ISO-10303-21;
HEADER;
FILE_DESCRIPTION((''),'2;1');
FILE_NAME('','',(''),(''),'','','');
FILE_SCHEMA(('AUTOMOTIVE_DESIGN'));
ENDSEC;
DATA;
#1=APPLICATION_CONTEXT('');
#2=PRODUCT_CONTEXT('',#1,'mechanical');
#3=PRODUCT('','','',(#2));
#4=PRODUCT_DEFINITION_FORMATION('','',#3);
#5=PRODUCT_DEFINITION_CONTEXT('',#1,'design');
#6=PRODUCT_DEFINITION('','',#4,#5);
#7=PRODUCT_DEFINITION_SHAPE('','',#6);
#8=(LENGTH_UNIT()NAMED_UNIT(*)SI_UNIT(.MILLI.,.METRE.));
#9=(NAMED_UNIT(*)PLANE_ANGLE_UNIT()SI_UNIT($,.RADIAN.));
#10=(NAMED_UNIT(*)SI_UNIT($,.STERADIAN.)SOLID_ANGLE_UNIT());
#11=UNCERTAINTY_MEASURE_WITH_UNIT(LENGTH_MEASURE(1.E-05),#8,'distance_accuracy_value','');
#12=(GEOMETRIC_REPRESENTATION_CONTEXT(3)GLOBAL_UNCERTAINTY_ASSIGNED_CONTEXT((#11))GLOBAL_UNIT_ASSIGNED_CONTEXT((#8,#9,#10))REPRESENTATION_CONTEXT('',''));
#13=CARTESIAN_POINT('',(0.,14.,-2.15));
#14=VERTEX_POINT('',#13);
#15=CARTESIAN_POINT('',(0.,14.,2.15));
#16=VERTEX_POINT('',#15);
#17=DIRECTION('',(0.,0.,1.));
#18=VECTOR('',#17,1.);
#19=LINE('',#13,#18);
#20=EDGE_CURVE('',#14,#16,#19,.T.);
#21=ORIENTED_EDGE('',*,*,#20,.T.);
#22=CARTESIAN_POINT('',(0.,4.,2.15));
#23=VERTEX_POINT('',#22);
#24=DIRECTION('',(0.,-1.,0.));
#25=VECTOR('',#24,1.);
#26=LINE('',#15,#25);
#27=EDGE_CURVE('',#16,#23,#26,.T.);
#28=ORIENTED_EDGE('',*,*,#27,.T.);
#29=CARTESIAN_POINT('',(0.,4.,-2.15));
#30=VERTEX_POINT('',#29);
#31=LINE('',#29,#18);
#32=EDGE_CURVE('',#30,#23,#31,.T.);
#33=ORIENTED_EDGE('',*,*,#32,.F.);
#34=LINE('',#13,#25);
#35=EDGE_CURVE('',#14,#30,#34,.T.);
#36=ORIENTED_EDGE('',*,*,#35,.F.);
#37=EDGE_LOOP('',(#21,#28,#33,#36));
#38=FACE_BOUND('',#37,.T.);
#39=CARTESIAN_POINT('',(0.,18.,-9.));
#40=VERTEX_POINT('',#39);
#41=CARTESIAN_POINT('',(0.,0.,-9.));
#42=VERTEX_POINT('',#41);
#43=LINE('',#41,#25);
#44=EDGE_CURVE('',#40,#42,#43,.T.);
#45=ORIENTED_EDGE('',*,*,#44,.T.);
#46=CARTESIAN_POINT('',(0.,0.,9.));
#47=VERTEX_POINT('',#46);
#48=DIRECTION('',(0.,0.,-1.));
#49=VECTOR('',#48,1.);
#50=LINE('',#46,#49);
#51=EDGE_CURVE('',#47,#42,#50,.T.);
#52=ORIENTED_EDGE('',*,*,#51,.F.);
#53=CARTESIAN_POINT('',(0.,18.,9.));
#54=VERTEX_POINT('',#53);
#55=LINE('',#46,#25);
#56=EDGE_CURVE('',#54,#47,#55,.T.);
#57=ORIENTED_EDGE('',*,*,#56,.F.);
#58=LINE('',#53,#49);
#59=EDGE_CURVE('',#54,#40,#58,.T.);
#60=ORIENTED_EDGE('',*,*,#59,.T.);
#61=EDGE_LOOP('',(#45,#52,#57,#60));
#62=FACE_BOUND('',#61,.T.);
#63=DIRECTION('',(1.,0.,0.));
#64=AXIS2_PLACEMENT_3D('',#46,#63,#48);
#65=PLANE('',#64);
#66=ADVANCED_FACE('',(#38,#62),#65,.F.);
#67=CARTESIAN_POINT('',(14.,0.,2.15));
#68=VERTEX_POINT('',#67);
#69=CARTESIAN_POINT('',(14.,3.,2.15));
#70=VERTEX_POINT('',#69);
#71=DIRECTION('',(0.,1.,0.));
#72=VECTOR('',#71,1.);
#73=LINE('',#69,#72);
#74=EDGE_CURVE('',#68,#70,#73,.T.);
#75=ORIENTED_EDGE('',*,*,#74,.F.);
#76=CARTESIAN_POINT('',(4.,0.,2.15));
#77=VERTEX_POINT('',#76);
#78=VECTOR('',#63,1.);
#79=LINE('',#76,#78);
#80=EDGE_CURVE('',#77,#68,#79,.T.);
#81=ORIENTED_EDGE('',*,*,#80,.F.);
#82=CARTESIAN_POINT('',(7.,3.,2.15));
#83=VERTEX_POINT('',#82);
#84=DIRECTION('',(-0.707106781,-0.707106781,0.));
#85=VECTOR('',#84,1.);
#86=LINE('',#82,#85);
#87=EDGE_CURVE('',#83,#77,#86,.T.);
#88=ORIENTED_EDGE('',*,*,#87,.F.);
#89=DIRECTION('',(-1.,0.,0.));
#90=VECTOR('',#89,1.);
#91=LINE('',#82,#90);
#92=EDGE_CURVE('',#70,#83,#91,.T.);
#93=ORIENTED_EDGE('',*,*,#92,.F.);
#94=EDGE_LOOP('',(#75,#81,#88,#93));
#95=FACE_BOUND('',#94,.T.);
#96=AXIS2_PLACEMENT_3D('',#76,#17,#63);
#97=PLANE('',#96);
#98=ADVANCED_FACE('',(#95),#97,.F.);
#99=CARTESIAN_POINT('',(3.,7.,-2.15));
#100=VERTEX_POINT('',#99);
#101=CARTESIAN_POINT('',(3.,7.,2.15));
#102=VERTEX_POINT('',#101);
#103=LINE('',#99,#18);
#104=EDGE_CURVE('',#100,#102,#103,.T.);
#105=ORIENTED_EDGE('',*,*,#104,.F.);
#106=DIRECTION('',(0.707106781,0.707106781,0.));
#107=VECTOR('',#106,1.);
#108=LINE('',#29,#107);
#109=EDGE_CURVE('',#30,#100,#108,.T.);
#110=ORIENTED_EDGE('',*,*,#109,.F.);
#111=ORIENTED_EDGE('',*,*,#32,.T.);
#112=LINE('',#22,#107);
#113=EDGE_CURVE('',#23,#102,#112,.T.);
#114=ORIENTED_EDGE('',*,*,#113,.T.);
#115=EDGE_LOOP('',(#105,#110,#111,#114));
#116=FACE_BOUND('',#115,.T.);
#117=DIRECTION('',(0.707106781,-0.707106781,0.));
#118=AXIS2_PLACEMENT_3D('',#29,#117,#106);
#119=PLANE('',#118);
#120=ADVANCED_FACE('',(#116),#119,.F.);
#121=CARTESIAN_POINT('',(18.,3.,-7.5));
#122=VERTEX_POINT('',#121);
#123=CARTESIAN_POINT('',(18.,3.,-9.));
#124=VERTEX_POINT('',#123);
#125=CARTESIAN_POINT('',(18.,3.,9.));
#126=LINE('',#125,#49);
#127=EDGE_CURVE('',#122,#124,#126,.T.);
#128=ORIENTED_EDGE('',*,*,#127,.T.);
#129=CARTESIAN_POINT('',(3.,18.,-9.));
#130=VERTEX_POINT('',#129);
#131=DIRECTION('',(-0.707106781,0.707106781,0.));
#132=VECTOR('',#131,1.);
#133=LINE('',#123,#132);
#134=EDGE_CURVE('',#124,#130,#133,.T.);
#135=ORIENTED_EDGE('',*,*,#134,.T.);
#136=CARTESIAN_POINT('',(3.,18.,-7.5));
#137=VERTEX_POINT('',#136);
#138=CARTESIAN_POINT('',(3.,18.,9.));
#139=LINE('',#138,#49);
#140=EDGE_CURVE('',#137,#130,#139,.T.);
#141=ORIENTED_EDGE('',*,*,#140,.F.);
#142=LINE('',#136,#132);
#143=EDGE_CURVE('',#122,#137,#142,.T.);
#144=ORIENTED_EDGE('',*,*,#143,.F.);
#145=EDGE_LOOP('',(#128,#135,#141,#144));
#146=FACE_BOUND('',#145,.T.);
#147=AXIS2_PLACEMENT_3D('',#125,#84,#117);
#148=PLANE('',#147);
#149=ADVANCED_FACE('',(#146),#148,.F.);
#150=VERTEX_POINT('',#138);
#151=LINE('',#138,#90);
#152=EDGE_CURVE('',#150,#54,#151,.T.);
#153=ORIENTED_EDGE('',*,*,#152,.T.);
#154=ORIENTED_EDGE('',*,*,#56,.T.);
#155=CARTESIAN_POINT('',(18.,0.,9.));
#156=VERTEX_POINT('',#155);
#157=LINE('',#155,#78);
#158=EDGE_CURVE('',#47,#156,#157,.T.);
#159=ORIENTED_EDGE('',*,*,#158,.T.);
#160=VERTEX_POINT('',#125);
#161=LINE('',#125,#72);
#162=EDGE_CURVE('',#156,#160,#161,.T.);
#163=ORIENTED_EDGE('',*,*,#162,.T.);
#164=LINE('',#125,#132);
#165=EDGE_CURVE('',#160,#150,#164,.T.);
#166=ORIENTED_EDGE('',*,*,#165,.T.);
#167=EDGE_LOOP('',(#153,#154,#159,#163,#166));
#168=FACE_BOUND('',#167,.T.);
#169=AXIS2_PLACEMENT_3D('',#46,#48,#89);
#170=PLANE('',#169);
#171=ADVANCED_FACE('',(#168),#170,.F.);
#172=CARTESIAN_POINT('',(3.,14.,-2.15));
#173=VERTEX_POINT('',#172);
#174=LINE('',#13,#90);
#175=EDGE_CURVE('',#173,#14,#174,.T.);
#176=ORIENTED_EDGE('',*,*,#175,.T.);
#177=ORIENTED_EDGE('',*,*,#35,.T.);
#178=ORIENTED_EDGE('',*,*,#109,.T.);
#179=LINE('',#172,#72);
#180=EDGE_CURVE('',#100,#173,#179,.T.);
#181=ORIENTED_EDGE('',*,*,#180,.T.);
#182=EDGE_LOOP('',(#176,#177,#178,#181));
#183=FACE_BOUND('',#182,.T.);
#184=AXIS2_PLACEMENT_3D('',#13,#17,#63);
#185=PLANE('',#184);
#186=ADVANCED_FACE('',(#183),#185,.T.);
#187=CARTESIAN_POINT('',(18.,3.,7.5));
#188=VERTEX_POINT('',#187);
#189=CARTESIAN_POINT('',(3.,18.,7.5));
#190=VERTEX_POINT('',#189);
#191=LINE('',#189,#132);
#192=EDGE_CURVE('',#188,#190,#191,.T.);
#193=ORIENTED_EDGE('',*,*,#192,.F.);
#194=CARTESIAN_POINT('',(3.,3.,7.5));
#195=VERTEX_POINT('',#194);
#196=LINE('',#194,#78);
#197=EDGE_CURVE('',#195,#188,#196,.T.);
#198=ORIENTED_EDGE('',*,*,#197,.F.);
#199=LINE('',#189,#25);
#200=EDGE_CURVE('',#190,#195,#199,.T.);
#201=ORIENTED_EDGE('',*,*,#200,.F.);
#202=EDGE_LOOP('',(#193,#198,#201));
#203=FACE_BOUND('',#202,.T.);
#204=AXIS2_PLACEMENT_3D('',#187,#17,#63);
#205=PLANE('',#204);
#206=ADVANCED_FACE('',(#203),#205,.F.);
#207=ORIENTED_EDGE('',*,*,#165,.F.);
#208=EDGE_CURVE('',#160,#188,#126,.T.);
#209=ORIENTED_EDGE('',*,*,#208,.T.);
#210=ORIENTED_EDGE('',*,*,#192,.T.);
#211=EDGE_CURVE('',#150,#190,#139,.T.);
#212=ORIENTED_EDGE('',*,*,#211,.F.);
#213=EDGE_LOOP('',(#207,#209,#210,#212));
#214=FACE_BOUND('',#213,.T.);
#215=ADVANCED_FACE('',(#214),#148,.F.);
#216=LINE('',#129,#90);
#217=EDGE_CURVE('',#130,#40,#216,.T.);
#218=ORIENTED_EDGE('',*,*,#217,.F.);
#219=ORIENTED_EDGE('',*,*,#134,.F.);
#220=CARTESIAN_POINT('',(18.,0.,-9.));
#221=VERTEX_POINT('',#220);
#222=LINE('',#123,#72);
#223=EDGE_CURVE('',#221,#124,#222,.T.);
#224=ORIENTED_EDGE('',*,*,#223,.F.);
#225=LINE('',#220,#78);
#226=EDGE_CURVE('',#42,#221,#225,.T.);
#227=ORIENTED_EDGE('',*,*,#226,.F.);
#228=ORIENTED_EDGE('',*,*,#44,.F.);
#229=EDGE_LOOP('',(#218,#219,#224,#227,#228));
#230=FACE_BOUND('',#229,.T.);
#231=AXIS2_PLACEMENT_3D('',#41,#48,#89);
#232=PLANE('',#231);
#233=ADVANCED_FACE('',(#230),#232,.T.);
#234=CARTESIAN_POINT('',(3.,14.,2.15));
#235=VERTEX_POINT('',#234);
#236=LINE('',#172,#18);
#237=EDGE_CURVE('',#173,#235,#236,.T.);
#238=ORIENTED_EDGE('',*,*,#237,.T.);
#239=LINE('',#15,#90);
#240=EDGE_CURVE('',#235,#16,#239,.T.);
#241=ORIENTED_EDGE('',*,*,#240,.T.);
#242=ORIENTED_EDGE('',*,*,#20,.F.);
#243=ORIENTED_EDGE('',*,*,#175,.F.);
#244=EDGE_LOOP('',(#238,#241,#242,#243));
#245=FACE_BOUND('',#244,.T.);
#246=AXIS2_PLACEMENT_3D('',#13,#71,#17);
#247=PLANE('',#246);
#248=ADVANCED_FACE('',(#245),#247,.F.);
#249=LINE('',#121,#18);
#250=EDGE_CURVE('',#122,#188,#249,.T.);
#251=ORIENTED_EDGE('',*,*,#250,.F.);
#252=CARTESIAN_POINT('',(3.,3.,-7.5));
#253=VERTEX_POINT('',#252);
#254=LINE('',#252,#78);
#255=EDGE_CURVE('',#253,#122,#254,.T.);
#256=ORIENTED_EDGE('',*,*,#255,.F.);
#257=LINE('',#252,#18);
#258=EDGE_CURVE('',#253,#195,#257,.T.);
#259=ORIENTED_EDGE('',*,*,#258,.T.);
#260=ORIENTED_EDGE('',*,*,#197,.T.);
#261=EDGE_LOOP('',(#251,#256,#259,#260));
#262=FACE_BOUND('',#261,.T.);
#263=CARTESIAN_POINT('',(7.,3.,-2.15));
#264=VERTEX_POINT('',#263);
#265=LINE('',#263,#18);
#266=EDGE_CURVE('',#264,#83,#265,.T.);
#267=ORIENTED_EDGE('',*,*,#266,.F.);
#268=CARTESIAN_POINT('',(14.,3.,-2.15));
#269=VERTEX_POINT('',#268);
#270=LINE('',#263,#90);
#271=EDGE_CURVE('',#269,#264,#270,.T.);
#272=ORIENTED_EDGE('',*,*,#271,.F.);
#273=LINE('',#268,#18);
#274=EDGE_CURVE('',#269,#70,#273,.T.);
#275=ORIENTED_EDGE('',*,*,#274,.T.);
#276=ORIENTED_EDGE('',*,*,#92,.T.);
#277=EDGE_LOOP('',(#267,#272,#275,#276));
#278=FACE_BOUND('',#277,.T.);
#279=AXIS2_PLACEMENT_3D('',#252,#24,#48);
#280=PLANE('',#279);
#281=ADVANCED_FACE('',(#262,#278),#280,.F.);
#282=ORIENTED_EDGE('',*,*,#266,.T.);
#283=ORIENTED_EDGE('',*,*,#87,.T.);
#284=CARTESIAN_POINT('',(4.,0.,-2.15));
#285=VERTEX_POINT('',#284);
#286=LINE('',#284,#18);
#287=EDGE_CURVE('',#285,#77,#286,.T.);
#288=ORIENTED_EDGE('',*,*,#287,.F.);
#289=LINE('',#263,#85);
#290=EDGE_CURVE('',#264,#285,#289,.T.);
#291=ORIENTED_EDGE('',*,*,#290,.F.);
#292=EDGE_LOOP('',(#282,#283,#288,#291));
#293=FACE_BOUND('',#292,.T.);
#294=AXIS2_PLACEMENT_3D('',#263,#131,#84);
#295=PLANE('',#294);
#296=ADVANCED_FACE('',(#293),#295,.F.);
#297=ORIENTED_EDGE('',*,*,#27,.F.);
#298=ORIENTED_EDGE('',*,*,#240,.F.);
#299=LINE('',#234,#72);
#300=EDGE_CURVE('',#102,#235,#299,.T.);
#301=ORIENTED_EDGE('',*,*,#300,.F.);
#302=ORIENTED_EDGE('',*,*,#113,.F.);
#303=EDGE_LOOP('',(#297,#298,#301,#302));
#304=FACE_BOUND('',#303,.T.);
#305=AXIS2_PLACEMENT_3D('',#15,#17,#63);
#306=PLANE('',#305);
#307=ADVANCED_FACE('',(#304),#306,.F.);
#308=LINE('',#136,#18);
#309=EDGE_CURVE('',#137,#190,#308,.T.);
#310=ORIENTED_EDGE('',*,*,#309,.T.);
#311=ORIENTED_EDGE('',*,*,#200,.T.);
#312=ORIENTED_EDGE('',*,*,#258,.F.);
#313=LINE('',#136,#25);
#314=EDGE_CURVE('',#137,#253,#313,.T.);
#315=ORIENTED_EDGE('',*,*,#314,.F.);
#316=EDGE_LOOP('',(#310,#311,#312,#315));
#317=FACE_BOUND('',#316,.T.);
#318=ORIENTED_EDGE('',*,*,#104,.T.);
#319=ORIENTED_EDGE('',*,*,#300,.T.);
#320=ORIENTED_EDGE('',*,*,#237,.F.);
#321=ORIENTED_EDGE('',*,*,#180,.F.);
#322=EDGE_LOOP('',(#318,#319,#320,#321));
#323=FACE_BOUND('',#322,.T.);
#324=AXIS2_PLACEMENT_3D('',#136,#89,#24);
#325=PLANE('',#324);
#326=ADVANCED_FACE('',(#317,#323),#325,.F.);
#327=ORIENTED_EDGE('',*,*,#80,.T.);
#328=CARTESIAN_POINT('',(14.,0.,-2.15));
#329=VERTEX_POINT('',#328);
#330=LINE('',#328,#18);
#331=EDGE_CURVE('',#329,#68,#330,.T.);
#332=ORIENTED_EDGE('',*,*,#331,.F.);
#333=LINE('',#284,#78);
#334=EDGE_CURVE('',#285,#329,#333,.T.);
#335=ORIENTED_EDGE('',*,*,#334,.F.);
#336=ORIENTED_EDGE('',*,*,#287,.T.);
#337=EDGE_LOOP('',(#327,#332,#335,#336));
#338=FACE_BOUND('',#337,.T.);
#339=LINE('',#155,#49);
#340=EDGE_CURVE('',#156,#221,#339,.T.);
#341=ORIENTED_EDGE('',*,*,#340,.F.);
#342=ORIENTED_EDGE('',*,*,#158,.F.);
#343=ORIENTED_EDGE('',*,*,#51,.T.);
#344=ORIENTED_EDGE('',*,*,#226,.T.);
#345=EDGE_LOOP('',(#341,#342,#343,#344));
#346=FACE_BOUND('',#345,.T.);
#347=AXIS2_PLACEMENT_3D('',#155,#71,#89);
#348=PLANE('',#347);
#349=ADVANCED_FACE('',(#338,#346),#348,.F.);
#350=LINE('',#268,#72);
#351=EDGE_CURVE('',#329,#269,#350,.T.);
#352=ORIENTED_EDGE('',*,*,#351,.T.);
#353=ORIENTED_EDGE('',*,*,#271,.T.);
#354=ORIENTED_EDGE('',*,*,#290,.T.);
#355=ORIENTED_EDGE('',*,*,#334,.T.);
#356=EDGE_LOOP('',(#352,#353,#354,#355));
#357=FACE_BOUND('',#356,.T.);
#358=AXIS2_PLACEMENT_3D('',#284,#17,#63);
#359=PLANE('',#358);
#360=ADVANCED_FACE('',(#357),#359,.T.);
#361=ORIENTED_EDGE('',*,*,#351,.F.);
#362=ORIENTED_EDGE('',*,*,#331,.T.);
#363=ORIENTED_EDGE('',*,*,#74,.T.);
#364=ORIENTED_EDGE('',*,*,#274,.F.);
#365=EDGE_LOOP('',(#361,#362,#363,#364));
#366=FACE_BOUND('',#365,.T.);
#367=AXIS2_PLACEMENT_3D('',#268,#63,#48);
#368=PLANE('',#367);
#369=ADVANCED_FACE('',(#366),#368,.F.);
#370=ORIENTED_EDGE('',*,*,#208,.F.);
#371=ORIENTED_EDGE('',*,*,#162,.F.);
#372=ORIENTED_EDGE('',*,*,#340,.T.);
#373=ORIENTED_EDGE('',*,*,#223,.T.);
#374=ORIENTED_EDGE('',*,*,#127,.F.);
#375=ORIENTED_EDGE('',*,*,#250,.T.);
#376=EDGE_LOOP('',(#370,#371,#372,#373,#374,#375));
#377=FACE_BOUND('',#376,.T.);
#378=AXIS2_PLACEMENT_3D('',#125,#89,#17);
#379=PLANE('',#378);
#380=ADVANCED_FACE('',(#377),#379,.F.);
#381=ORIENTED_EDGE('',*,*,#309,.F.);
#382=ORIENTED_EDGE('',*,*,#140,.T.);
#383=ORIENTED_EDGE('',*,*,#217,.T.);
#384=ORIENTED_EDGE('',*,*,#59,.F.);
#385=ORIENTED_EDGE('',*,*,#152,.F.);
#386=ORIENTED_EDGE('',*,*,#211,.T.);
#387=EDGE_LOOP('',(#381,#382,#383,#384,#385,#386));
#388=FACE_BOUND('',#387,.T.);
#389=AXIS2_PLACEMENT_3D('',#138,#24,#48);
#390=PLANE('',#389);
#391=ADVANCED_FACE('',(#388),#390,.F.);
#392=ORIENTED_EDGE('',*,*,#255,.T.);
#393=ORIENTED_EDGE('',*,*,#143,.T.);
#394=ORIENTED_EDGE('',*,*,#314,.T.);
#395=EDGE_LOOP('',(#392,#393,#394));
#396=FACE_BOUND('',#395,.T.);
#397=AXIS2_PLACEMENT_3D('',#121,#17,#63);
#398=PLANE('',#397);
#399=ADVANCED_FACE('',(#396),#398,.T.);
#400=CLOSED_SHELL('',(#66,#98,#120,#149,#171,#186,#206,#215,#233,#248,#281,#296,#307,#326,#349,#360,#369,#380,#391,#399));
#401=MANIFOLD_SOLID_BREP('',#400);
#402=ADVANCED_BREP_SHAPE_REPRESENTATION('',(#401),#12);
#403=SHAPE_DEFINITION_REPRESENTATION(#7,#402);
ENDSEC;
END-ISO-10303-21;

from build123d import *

# Parameters (mm, degrees)
BOSS_EXTRUDE1_DEPTH = 9
CUT_EXTRUDE1_DEPTH  = 7.5
CUT_EXTRUDE2_DEPTH  = 2.15


with BuildPart() as part:
    # Sketch1 → Boss-Extrude1 (new, symmetric)
    with BuildSketch(Plane.XY):
        Polygon((0, 0), (0, 18), (3, 18), (18, 3), (18, 0), align=None)
    extrude(amount=BOSS_EXTRUDE1_DEPTH, both=True)

    # Sketch2 → Cut-Extrude1 (cut, symmetric)
    with BuildSketch(Plane.XY):
        Polygon((3, 18), (3, 3), (18, 3), align=None)
    extrude(amount=CUT_EXTRUDE1_DEPTH, both=True, mode=Mode.SUBTRACT)

    # Sketch3 → Cut-Extrude2 (cut, symmetric)
    with BuildSketch(Plane.XY):
        Polygon((0, 14), (3, 14), (3, 7), (0, 4), align=None)
        Polygon((7, 3), (14, 3), (14, 0), (4, 0), align=None)
    extrude(amount=CUT_EXTRUDE2_DEPTH, both=True, mode=Mode.SUBTRACT)


solid = part.part
